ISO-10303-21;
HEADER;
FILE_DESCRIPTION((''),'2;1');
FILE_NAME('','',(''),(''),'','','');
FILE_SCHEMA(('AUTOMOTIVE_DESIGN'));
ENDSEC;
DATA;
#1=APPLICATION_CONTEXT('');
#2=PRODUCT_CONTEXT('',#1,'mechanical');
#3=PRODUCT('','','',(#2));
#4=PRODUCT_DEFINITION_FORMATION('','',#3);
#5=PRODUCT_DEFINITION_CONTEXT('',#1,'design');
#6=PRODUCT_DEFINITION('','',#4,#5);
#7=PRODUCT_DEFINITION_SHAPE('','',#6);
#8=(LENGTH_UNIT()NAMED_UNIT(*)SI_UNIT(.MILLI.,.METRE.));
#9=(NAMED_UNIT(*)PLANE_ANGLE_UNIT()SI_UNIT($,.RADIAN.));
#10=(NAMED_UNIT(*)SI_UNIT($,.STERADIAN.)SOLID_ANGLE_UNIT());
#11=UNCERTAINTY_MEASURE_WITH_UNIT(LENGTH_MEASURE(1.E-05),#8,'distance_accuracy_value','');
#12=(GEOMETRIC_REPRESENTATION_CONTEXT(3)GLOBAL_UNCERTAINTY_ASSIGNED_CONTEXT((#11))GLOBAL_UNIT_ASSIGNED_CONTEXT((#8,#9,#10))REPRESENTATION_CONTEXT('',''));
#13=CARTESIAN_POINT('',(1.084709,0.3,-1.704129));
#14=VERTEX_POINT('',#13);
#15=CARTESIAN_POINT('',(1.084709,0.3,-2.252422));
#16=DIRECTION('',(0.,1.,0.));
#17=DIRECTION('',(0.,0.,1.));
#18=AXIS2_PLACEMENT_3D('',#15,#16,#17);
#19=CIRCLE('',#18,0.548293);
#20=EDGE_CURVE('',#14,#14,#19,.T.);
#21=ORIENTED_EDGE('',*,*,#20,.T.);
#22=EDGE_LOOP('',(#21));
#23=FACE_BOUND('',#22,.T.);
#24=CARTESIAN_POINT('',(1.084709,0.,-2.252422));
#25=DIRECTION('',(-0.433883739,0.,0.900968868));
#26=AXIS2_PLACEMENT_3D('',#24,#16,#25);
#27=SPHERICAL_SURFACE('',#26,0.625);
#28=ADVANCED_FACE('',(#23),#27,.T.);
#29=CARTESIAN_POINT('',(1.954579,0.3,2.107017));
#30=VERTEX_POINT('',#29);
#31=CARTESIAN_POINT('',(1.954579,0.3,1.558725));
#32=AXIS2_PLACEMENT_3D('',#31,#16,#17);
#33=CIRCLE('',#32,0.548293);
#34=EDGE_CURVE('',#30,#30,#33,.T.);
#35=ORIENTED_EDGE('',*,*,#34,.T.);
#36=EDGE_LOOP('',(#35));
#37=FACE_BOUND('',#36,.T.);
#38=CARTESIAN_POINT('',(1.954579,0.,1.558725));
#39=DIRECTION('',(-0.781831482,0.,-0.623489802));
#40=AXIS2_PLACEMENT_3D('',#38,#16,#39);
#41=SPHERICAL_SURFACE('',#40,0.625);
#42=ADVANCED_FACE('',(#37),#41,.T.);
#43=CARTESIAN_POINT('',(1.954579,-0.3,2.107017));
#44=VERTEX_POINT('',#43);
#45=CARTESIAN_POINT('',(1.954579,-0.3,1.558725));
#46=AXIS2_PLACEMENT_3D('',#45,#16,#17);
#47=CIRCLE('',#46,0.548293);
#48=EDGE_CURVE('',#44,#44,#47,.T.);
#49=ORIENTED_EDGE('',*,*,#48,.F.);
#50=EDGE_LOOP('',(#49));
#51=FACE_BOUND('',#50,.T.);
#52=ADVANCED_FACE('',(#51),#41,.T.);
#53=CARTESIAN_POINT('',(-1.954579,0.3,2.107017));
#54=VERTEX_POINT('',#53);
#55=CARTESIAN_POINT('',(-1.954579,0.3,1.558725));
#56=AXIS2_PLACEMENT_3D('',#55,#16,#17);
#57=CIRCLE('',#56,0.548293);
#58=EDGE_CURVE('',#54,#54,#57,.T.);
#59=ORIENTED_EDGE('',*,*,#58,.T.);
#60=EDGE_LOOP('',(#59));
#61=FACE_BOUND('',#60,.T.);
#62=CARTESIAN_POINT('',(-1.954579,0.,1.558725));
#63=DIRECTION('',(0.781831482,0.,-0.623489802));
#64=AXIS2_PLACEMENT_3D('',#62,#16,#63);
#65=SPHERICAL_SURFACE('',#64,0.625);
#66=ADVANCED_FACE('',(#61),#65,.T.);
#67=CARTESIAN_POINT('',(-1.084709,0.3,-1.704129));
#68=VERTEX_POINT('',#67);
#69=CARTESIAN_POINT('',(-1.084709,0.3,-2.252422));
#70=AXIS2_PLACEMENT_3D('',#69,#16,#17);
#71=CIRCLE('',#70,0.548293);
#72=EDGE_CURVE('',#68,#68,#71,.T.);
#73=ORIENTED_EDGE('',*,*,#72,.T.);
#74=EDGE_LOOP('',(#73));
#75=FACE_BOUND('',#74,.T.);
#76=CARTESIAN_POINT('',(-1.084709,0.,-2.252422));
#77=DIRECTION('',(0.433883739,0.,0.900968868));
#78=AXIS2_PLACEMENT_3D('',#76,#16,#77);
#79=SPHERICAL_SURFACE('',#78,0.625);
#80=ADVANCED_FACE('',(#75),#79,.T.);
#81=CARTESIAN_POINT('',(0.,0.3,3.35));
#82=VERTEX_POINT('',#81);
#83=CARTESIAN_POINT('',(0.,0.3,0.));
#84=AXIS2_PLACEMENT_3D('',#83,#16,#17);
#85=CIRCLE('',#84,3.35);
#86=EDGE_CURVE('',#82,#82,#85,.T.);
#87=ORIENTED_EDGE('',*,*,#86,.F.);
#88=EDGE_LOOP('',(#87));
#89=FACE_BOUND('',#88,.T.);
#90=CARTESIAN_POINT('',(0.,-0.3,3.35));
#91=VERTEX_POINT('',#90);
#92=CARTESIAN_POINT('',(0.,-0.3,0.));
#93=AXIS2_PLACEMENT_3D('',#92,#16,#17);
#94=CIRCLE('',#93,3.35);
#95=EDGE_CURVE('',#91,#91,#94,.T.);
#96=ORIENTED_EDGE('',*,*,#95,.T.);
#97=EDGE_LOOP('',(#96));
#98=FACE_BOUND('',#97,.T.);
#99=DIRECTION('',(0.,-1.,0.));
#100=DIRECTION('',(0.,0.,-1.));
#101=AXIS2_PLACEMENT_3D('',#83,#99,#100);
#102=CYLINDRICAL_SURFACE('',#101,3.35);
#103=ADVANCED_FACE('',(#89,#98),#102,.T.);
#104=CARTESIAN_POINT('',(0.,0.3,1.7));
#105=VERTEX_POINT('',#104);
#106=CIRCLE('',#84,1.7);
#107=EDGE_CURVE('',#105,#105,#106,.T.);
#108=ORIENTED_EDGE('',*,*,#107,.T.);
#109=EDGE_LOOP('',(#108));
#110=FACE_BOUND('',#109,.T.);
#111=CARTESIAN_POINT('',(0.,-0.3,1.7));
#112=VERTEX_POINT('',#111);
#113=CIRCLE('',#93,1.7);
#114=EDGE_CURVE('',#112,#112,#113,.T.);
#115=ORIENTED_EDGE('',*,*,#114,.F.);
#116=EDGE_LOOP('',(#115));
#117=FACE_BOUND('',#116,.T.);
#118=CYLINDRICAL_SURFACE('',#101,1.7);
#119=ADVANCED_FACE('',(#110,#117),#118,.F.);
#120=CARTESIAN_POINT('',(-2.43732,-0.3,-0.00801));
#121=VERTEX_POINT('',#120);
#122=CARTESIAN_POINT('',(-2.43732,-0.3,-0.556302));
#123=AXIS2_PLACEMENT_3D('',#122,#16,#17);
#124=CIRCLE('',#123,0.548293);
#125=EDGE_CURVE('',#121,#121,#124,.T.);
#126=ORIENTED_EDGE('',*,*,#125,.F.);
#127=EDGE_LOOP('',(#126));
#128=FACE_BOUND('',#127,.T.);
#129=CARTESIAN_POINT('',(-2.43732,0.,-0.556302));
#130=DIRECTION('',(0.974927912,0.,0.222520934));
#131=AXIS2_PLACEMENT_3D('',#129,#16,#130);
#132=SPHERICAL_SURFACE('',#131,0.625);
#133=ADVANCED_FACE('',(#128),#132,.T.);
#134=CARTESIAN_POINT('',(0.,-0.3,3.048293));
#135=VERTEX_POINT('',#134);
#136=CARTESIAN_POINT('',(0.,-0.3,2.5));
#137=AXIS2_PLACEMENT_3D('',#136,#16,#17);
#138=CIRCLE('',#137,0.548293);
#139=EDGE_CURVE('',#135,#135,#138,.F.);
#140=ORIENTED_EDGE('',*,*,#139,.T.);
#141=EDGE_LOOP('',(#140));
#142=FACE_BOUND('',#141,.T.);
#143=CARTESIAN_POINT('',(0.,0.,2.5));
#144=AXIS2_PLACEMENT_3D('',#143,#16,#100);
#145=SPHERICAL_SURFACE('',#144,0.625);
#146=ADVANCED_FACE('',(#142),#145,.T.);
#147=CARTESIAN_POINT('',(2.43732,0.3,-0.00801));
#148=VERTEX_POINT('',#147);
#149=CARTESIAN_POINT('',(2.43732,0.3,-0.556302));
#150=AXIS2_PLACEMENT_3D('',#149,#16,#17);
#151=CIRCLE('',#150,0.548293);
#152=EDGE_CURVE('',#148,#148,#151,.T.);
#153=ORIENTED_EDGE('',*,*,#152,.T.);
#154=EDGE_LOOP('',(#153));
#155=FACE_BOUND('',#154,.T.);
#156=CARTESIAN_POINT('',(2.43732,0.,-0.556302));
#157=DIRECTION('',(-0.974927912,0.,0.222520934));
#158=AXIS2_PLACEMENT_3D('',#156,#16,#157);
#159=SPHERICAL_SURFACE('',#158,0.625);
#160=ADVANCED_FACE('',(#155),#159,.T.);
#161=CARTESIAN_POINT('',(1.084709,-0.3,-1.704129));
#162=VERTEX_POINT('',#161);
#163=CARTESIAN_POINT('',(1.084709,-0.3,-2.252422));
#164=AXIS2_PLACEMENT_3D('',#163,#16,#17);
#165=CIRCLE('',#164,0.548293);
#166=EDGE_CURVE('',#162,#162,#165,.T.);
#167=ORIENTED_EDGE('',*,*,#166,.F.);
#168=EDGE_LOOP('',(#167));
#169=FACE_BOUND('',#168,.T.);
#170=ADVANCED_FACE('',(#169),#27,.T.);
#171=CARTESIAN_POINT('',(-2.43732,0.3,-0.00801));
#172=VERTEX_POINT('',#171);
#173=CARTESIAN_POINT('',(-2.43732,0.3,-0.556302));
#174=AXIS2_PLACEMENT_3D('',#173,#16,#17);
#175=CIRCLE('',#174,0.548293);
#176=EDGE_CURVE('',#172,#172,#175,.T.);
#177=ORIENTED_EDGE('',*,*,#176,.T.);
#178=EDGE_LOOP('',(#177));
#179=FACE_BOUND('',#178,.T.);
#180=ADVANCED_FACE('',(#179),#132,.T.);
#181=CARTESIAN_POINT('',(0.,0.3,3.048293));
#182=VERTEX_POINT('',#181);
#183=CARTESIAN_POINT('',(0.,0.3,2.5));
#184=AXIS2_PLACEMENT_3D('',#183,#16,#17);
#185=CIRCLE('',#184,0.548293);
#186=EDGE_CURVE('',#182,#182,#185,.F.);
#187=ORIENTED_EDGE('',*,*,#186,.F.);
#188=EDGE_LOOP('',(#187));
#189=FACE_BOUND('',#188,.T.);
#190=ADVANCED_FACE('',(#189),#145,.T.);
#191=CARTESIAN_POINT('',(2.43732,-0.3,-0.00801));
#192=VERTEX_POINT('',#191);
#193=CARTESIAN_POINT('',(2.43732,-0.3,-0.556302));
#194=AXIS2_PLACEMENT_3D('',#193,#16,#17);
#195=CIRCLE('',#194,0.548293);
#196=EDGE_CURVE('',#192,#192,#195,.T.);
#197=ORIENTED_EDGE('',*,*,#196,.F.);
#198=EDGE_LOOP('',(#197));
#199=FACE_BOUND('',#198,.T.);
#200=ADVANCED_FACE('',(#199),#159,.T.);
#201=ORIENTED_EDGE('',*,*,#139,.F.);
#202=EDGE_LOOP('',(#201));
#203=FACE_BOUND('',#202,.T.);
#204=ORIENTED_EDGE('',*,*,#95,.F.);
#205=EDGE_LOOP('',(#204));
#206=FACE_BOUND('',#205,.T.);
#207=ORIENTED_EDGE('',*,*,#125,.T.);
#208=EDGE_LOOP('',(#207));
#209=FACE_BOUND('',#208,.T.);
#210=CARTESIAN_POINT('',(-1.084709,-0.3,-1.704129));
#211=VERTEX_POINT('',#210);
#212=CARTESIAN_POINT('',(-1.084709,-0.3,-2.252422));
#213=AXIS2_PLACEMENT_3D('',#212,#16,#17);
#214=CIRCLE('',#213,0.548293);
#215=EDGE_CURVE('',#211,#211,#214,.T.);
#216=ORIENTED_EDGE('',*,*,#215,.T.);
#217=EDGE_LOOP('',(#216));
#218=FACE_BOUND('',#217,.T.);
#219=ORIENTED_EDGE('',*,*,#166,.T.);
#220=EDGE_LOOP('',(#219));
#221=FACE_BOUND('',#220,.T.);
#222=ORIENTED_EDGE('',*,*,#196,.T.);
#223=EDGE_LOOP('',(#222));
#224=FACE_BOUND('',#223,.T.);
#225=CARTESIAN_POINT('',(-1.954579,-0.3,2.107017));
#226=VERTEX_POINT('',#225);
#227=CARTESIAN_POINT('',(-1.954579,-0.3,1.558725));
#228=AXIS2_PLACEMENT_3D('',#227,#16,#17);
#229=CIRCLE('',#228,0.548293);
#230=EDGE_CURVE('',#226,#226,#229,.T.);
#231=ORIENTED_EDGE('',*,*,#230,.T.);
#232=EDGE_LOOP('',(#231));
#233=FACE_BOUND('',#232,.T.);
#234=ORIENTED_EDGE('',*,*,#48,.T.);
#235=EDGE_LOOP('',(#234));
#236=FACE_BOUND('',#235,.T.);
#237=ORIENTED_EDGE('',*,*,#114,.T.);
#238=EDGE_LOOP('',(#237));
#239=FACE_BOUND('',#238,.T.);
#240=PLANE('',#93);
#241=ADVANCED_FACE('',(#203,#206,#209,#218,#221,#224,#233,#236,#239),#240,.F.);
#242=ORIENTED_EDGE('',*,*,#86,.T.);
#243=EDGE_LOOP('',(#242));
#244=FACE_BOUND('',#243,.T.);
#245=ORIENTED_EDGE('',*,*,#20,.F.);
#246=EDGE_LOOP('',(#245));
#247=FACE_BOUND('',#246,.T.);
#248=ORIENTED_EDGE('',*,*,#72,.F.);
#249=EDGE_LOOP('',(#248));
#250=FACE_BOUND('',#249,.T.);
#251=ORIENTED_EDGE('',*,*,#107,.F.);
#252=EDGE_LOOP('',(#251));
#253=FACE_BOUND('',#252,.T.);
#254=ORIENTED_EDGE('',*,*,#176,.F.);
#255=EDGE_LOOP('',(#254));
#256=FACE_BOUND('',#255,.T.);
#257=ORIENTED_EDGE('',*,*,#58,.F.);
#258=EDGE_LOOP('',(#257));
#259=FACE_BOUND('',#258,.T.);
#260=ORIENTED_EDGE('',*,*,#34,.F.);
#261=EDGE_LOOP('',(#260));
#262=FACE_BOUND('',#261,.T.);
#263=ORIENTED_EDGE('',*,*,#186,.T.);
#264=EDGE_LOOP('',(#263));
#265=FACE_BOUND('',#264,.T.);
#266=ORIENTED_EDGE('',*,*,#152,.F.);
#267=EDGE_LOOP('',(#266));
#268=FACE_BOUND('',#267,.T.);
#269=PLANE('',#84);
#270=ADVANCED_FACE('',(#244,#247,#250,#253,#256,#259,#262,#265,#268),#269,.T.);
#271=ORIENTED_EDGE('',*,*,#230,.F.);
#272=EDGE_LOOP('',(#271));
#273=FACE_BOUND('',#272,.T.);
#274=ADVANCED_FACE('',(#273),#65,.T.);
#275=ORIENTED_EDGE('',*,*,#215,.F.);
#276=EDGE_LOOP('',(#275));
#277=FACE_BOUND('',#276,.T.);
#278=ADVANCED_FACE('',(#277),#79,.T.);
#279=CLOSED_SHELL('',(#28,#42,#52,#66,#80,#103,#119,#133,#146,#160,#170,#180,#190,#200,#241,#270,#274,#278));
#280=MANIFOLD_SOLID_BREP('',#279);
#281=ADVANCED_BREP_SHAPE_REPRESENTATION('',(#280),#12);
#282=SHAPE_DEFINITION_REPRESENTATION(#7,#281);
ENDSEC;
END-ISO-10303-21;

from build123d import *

# Parameters (mm, degrees)
SKETCH2_R           = 3.35
SKETCH2_R_2         = 1.7
BOSS_EXTRUDE1_DEPTH = 0.3
CIRPATTERN2_COUNT   = 7


with BuildPart() as part:
    # Sketch1 → Revolve1 (revolve)
    with BuildSketch(Plane(origin=(0, 0, 0), x_dir=(0, 0, -1), z_dir=(1, 0, 0))):
        with BuildLine():
            Line((-2.5, 0.625), (-2.5, -0.625))
            ThreePointArc((-2.5, -0.625), (-3.125, 0), (-2.5, 0.625))
        make_face()
    revolve1 = revolve(axis=Axis((0, 0.625, 2.5), (0, -1, 0)))

    # Sketch2 → Boss-Extrude1 (add, symmetric)
    with BuildSketch(Plane(origin=(0, 0, 0), x_dir=(1, 0, 0), z_dir=(0, 1, 0))):
        Circle(SKETCH2_R)
        Circle(SKETCH2_R_2, mode=Mode.SUBTRACT)
    extrude(amount=BOSS_EXTRUDE1_DEPTH, both=True)

    # CirPattern2: Revolve1 ×7 about axis
    cirpattern2_axis = Axis((0, 0.6875, 0), (0, -1, 0))
    for i in range(1, CIRPATTERN2_COUNT):
        add(revolve1.rotate(cirpattern2_axis, i * 360 / CIRPATTERN2_COUNT))


solid = part.part
